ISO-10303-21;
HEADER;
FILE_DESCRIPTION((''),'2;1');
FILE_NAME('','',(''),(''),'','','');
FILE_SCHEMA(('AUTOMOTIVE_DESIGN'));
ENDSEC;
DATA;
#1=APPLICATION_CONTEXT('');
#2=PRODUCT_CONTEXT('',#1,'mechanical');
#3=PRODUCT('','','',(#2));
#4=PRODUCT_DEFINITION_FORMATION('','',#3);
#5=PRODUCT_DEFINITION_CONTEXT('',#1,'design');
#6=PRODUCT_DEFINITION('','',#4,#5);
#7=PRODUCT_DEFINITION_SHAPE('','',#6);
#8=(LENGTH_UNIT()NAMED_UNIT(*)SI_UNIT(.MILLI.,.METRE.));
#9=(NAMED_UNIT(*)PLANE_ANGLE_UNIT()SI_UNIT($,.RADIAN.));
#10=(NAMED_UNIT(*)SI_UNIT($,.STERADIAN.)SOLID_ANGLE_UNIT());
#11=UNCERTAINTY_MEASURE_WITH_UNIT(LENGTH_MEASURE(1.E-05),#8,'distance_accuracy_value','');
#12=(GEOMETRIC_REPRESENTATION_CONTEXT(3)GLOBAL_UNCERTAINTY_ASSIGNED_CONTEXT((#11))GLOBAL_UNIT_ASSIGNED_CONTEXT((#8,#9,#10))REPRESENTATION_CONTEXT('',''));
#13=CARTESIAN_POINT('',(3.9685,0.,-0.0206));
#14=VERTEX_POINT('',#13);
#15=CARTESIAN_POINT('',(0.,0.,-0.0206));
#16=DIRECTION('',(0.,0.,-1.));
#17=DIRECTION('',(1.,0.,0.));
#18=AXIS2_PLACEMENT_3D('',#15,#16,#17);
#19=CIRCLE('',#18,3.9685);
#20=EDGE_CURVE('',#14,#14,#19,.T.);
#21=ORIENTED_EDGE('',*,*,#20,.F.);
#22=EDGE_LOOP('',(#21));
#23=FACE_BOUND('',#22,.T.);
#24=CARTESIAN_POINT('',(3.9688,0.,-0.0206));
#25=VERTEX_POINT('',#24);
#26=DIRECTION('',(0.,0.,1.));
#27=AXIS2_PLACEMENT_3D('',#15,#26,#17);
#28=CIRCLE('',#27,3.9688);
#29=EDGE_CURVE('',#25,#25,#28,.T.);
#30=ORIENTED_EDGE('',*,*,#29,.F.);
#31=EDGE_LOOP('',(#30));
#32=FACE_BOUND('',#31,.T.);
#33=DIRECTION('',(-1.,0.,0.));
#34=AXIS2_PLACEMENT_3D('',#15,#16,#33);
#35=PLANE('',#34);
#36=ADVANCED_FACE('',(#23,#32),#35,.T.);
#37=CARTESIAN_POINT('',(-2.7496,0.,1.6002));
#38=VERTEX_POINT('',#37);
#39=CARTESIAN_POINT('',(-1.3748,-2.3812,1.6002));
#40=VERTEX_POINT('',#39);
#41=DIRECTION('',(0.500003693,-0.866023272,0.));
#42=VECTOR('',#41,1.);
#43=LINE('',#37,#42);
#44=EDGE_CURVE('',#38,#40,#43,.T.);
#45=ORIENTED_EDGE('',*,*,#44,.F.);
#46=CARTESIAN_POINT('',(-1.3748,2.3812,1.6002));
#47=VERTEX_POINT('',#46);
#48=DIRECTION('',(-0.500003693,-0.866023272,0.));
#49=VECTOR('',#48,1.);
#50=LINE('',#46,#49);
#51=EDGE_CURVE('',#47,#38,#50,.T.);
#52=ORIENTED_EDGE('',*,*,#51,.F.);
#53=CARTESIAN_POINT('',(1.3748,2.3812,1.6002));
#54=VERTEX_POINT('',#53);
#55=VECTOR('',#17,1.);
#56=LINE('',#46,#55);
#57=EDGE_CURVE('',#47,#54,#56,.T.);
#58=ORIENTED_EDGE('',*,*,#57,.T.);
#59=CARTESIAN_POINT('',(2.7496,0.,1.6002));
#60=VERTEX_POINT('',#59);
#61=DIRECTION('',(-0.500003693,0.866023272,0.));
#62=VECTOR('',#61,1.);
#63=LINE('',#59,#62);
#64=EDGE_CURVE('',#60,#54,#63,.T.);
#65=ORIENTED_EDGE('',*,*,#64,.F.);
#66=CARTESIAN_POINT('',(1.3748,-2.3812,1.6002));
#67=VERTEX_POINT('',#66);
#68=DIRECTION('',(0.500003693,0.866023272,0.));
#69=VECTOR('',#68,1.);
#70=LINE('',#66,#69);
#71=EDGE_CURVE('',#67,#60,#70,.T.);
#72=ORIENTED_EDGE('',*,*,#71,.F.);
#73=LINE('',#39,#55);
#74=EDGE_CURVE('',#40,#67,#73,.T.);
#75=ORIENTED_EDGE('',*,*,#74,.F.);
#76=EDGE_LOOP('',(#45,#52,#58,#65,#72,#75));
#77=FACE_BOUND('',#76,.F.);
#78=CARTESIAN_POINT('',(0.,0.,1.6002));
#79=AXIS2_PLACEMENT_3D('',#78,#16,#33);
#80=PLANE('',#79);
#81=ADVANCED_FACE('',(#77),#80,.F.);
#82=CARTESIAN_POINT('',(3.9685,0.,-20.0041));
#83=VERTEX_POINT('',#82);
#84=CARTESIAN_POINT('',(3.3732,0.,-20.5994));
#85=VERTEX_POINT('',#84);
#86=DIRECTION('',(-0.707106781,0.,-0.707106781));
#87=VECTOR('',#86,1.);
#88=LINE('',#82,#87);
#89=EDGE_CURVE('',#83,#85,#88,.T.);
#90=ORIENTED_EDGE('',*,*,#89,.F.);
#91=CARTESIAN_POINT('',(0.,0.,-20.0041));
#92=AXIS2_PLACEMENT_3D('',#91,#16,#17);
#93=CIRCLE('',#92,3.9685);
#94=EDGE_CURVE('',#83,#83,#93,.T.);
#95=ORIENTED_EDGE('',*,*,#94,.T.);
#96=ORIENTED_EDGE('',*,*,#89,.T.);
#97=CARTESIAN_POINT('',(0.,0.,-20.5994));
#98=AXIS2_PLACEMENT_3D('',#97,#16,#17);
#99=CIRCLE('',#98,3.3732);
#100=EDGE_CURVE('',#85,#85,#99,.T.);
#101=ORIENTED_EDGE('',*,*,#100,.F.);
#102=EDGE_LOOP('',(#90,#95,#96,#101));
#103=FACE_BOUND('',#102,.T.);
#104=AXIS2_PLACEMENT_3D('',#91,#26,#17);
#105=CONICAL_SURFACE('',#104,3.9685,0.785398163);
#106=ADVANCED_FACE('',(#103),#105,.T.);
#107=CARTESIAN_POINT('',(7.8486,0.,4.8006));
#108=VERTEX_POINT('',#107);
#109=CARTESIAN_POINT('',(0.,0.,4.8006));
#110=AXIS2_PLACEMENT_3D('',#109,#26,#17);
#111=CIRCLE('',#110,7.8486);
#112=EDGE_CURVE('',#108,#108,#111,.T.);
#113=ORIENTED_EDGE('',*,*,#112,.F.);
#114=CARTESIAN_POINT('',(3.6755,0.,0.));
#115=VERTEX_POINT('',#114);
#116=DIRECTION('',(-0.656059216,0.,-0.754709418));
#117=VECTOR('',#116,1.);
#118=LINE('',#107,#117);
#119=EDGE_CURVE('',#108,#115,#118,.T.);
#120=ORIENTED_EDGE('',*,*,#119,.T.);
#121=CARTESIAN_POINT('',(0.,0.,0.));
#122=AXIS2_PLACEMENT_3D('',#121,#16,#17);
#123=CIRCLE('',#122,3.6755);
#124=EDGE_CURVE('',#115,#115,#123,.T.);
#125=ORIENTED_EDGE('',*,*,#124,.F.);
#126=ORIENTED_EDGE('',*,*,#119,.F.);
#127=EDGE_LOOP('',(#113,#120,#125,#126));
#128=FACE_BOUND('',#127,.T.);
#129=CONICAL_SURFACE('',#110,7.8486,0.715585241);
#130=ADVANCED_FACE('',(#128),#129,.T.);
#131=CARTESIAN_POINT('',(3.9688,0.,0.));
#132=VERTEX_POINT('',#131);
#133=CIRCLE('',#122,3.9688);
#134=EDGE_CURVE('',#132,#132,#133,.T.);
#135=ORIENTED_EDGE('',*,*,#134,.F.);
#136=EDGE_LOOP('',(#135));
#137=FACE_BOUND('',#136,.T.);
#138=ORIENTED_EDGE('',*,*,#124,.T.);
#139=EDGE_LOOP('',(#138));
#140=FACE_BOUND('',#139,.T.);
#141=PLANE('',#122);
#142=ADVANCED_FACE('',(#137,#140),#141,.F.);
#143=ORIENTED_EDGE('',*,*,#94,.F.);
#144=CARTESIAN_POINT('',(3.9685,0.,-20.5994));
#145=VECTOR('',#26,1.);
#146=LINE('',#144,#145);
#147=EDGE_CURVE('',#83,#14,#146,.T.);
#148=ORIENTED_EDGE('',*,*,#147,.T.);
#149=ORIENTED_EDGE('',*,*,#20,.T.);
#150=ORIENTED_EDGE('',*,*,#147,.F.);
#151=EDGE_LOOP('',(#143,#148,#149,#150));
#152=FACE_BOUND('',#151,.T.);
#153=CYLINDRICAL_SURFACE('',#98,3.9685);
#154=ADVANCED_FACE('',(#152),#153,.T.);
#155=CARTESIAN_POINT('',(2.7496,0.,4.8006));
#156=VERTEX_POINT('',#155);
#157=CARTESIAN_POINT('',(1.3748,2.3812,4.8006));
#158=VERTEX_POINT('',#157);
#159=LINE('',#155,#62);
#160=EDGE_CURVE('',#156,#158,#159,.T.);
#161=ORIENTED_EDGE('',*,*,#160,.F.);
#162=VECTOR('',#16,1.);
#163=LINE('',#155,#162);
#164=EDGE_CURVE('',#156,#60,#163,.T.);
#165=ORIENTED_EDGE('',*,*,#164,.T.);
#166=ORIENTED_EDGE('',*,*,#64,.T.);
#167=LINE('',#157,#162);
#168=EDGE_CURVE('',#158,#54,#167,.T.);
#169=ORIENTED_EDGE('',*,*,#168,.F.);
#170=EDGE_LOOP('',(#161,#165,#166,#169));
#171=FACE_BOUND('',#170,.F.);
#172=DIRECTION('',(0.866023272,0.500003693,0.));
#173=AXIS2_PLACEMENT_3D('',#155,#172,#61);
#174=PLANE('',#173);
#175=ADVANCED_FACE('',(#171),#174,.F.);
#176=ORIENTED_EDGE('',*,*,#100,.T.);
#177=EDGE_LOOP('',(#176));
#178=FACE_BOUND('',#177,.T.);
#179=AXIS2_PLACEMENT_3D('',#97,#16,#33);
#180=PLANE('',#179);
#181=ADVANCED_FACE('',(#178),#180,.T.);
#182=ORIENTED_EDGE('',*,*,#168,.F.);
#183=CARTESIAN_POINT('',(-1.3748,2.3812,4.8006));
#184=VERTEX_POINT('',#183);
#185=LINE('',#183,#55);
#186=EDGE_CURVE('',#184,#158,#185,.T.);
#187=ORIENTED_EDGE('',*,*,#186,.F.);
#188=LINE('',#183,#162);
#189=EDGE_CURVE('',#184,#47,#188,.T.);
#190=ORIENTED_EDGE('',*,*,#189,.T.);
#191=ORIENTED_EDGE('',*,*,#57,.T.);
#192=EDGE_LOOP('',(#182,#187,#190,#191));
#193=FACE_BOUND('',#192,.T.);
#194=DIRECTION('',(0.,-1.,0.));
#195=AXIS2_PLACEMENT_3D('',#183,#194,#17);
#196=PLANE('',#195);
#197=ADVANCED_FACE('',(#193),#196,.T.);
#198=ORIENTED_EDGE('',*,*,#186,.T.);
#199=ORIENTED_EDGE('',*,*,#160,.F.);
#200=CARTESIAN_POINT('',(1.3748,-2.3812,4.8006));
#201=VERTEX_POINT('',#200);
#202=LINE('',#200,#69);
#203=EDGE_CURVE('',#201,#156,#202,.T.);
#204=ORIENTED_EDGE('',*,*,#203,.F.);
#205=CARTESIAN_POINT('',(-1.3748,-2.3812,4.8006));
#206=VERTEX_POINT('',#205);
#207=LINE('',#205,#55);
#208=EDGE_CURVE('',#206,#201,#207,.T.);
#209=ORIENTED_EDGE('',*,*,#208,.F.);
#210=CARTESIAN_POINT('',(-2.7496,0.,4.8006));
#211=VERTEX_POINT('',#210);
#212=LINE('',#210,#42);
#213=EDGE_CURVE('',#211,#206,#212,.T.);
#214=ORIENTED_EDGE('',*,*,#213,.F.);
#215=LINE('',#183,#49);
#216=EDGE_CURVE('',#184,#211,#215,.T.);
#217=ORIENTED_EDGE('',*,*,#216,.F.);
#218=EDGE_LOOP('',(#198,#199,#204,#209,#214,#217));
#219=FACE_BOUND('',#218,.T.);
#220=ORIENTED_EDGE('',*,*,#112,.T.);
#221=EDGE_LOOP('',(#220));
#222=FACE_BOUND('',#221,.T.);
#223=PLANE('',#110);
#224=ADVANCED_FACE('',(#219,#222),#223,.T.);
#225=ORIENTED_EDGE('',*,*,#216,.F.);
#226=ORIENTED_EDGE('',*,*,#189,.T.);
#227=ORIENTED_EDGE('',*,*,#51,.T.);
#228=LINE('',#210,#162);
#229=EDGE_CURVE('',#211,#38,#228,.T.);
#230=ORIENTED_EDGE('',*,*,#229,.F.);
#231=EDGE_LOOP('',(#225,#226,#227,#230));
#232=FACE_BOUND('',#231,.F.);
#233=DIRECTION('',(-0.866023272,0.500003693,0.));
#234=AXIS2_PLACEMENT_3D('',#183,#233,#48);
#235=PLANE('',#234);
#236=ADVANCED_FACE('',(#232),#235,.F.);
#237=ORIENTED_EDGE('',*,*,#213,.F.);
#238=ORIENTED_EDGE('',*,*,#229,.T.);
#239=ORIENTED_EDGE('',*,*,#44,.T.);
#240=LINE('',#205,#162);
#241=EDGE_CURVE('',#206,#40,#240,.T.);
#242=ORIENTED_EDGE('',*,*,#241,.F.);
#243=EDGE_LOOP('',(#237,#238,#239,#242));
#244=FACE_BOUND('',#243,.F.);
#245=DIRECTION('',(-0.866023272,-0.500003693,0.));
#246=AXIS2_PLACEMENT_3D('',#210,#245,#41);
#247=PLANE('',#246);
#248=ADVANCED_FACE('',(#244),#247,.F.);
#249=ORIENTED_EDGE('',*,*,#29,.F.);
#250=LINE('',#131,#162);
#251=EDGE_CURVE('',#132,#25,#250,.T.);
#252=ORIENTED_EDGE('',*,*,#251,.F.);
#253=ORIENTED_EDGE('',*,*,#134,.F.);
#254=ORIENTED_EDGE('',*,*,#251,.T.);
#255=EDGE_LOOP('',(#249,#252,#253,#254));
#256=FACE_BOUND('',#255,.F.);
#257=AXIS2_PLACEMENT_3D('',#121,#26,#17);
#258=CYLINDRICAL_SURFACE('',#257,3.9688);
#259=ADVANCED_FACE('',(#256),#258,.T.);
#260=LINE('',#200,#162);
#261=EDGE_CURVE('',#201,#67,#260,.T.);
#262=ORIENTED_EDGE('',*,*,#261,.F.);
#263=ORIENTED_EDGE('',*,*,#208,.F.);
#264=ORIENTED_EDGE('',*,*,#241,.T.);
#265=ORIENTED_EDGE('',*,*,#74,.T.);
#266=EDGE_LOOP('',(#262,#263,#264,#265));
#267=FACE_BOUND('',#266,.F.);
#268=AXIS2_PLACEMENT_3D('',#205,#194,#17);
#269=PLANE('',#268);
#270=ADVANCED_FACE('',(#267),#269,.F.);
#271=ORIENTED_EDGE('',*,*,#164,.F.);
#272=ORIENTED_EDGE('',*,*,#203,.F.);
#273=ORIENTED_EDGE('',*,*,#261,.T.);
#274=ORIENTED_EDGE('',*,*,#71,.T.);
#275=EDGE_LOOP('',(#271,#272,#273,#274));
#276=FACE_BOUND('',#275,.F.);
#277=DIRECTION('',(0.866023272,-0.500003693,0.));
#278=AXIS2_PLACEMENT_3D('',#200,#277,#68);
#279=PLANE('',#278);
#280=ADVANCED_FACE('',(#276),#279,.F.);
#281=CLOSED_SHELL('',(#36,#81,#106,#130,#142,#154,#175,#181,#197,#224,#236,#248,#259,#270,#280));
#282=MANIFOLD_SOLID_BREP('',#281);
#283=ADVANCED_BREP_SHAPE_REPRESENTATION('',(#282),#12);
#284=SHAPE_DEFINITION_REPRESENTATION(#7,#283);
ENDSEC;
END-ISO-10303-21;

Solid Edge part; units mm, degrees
sketch "Sketch1" plane through (0, 0, 0) normal (0, 0, 1) x (1, 0, 0)
  circle A0 centre (0, 0) radius 7.8486
  dimension "D1" = 15.6972
extrude "Protrusion1" add sketch "Sketch1" along normal blind 4.8006
sketch "Sketch2" plane through (0, 0, 0) normal (0, 0, -1) x (1, 0, 0)
  circle A0 centre (0, 0) radius 3.9688
extrude "Protrusion2" add sketch "Sketch2" along normal blind 20.5994
sketch "Sketch3" plane through (0, 0, -20.5994) normal (0, 0, -1) x (1, 0, 0)
  circle A0 centre (0, 0) radius 3.9685
extrude "Cutout1" cut sketch "Sketch3" against normal blind 20.5788 flip side to cut
chamfer "Chamfer_1" distance 0.5953 angle 45 1 edges at (-3.9685, 0, -20.5994)
sketch "Sketch4" plane through (0, 0, 4.8006) normal (0, 0, 1) x (1, 0, 0)
  line L0 (-1.3748, 2.3812) -> (1.3748, 2.3812)
  line L1 (2.7496, 0) -> (1.3748, 2.3812)
  line L2 (1.3748, -2.3812) -> (2.7496, 0)
  line L3 (-1.3748, -2.3812) -> (1.3748, -2.3812)
  line L4 (-2.7496, 0) -> (-1.3748, -2.3812)
  line L5 (-1.3748, 2.3812) -> (-2.7496, 0)
  dimension "D1" = 4.7625
extrude "Cutout2" cut sketch "Sketch4" against normal blind 3.2004
sketch "Sketch5" plane through (0, 0, 0) normal (0, -1, 0) x (1, 0, 0)
  line L0 (7.8486, 4.8006) -> (3.6755, 0)
  line L1 (3.6755, 0) -> (7.8486, 0)
  line L2 (7.8486, 0) -> (7.8486, 4.8006)
revolve "RevolvedCutout1" cut sketch "Sketch5" angle 360 about axis through (0, 0, 14.0017) along (0, 0, -1)
properties part number "24101006"
